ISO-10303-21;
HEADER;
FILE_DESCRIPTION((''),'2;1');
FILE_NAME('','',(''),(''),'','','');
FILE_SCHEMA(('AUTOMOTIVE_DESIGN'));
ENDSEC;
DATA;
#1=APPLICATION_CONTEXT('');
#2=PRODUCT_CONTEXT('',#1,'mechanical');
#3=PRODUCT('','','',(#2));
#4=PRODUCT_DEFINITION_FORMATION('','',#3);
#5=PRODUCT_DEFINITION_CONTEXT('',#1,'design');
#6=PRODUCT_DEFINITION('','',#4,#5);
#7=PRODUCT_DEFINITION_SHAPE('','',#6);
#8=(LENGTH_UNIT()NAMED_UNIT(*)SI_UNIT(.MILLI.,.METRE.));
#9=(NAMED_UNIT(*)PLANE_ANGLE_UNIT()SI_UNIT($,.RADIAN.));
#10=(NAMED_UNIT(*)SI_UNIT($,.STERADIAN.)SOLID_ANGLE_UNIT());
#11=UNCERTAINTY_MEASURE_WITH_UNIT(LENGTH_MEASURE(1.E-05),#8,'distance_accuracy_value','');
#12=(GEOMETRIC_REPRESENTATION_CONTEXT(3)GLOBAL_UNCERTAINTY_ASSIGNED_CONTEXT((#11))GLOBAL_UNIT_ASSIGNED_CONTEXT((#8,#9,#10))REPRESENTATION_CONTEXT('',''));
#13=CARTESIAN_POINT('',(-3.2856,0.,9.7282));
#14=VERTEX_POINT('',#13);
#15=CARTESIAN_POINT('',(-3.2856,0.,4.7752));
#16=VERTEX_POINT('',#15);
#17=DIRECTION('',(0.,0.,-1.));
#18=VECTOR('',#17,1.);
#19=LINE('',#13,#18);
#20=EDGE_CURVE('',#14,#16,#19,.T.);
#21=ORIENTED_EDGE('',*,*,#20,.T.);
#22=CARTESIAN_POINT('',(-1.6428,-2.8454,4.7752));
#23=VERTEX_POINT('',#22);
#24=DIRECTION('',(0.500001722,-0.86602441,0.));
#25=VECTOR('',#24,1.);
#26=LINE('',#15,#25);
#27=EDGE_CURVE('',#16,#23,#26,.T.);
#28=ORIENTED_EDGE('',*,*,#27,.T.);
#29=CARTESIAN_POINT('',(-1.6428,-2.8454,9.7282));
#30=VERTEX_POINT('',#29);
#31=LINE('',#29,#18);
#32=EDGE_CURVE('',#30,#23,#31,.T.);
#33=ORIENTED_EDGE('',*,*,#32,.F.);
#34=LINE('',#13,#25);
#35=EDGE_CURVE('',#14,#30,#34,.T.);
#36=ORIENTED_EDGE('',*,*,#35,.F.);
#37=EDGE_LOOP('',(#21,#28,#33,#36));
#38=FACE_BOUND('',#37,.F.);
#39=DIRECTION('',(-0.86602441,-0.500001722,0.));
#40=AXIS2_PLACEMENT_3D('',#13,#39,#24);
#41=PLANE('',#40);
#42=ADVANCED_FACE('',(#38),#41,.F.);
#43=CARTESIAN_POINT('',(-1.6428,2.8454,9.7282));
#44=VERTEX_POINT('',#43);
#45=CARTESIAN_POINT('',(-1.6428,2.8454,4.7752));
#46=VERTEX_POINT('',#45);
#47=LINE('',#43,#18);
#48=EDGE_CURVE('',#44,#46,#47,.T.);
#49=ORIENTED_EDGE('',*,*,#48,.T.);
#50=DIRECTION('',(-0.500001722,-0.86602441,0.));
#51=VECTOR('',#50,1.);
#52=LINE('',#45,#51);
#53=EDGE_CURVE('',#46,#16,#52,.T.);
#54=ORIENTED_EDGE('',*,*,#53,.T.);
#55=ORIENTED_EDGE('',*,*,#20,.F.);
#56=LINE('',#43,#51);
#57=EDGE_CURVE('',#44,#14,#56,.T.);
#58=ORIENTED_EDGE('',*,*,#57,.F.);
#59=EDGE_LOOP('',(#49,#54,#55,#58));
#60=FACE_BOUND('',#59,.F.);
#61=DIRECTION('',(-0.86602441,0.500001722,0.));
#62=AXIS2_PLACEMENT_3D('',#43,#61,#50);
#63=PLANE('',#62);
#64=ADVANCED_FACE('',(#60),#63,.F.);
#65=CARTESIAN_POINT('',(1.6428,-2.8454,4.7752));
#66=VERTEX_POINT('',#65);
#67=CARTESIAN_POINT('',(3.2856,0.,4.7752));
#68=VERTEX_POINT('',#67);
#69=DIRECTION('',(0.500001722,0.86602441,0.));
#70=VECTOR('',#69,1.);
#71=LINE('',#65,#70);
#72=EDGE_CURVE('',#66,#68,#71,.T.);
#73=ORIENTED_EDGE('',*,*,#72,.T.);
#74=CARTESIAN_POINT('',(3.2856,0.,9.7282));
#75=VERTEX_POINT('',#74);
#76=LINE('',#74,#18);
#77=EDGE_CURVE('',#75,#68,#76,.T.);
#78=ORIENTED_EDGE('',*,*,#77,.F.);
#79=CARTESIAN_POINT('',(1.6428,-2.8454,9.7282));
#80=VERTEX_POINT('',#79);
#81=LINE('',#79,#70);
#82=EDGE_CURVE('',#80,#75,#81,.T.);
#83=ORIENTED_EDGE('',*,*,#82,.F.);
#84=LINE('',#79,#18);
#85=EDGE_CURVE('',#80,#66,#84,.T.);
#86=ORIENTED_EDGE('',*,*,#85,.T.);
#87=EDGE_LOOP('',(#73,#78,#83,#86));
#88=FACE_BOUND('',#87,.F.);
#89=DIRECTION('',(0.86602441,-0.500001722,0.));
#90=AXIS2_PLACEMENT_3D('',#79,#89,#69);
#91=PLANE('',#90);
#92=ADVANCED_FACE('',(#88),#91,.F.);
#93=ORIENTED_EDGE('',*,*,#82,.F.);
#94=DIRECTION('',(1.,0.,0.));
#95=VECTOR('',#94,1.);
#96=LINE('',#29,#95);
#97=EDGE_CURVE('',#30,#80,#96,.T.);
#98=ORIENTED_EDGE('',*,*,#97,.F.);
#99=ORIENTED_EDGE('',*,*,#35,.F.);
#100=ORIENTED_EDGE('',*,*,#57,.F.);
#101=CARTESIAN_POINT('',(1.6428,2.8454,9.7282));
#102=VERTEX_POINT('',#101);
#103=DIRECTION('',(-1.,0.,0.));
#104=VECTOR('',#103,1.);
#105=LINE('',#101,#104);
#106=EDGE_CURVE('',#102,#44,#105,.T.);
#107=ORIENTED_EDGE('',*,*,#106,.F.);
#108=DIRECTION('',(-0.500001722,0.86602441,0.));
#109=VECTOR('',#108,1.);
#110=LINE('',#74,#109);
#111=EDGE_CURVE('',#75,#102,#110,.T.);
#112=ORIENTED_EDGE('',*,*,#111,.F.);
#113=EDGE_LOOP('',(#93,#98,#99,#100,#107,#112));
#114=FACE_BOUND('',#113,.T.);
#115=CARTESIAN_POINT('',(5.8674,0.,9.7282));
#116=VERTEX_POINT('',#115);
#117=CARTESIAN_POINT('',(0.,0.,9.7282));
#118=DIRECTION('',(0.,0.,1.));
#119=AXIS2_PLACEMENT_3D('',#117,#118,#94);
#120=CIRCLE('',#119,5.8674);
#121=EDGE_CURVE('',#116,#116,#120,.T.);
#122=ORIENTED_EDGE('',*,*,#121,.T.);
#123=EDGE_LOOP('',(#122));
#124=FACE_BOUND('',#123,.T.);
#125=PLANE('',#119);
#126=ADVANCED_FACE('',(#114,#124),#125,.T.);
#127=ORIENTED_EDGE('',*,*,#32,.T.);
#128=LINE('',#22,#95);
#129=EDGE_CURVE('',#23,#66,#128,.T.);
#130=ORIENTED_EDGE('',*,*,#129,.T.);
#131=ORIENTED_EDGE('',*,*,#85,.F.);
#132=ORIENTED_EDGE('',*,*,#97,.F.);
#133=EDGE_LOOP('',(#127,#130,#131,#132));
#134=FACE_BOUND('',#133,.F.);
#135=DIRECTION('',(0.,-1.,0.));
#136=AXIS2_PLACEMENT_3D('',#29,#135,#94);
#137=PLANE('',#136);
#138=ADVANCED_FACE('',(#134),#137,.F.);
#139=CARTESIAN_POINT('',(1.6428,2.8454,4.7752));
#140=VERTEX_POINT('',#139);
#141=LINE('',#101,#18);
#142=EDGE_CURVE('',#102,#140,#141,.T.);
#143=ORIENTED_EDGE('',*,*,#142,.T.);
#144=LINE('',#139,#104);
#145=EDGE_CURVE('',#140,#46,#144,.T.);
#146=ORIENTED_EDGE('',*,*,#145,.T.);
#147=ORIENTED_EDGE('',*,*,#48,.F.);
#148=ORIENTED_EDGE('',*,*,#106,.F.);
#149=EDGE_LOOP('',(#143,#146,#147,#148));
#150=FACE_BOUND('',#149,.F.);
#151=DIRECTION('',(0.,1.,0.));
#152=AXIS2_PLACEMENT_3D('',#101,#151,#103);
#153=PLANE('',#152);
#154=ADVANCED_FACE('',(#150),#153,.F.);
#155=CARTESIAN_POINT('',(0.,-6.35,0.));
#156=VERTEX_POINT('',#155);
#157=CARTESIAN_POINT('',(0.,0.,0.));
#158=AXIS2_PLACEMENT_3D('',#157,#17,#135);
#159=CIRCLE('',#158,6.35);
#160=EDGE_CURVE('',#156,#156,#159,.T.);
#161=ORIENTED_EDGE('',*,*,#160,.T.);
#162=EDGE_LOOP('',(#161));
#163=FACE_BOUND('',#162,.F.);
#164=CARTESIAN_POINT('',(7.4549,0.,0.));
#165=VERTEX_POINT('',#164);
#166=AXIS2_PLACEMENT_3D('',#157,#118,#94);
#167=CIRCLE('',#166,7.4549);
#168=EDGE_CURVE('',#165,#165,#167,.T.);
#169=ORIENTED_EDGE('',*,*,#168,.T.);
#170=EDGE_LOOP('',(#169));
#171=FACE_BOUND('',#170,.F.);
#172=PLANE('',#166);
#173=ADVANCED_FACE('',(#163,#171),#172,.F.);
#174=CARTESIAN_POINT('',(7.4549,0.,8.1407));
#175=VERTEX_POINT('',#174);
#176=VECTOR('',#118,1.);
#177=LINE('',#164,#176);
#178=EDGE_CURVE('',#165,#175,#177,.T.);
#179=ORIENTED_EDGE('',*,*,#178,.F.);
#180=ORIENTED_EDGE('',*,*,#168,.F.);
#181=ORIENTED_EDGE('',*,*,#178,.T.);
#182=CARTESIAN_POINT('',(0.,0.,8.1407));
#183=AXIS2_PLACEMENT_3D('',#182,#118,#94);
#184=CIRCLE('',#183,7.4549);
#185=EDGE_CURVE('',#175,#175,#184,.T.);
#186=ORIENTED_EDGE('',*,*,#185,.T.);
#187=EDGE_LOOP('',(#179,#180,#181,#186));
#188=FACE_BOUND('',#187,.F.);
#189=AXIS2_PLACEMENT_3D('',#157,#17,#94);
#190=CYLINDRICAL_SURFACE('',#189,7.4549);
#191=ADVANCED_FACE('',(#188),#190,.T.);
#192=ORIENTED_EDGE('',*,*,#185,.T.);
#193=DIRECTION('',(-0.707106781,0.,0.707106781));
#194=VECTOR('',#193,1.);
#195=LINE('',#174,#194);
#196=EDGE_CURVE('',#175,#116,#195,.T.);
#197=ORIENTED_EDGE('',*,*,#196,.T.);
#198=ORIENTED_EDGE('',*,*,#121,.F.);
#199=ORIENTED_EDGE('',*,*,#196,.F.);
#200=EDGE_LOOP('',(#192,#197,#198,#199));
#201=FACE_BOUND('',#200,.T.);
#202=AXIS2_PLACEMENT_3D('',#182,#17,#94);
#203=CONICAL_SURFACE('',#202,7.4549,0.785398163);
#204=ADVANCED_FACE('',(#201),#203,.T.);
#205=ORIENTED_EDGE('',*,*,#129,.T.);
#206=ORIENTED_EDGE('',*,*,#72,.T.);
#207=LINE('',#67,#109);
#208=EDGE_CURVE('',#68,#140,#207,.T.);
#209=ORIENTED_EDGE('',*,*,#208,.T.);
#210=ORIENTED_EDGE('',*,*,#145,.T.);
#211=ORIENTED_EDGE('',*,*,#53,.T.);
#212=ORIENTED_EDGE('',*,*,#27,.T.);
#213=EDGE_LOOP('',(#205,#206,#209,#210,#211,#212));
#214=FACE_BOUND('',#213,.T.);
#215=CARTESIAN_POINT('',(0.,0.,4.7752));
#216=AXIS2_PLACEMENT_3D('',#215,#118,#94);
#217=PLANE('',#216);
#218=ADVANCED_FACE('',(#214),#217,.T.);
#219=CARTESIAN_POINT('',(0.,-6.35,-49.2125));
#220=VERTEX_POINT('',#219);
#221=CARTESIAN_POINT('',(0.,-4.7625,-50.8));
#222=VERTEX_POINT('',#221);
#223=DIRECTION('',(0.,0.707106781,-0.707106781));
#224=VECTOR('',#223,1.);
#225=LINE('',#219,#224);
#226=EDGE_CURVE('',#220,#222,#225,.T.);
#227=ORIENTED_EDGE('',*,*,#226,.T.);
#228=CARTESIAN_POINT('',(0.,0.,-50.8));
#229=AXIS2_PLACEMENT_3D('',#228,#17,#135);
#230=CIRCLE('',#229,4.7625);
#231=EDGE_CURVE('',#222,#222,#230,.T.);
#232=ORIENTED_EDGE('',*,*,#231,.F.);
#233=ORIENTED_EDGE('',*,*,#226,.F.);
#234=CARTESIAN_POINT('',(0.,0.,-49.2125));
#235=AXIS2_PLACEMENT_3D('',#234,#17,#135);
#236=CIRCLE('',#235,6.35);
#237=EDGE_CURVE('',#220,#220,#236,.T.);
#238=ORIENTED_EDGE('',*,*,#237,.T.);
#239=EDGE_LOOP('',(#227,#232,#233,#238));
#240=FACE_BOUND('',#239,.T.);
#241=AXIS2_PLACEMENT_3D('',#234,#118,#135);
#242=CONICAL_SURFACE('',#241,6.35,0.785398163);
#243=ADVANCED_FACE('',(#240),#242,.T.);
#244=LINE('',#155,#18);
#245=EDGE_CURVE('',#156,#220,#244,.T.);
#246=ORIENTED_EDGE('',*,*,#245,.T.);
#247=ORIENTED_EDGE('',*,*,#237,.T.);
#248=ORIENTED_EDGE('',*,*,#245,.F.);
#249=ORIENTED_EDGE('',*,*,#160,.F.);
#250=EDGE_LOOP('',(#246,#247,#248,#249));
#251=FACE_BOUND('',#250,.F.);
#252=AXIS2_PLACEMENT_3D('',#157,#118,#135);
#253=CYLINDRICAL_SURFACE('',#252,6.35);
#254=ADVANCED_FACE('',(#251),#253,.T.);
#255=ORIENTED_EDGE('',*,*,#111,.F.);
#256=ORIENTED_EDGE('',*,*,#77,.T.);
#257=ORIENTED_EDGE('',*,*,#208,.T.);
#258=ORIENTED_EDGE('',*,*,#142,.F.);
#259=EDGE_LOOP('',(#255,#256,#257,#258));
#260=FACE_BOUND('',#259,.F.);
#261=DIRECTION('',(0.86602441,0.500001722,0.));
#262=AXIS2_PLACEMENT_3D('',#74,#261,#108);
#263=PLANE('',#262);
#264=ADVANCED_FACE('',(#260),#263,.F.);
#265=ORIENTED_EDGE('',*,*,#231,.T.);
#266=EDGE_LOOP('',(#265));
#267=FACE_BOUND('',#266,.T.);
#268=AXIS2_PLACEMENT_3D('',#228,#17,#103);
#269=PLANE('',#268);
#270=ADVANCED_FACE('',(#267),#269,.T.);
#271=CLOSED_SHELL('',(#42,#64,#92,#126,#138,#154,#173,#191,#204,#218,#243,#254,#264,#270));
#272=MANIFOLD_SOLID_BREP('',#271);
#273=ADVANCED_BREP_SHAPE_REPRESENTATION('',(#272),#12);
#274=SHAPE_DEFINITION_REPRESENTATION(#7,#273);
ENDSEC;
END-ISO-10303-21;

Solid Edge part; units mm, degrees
sketch "Sketch1" plane through (0, 0, 0) normal (0, 0, 1) x (1, 0, 0)
  circle A0 centre (0, 0) radius 7.4549
  dimension "D1" = 14.9098
extrude "Protrusion1" add sketch "Sketch1" along normal blind 9.7282
chamfer "Chamfer_1" distance 1.5875 angle 45 1 edges at (-7.4549, 0, 9.7282)
sketch "Sketch2" plane through (0, 0, 0) normal (0, 0, -1) x (0, -1, 0)
  circle A0 centre (0, 0) radius 6.35
  dimension "D1" = 12.7
extrude "ExtrudedProtrusion_3" add sketch "Sketch2" along normal blind 50.8
chamfer "Chamfer_2" distance 1.5875 angle 45 1 edges at (0, 6.35, -50.8)
sketch "Sketch3" plane through (0, 0, 9.7282) normal (0, 0, 1) x (0, -1, 0)
  line L0 (0, 3.2856) -> (-2.8454, 1.6428)
  line L1 (-2.8454, 1.6428) -> (-2.8454, -1.6428)
  line L2 (-2.8454, -1.6428) -> (0, -3.2856)
  line L3 (0, -3.2856) -> (2.8454, -1.6428)
  line L4 (2.8454, -1.6428) -> (2.8454, 1.6428)
  line L5 (2.8454, 1.6428) -> (0, 3.2856)
extrude "ExtrudedCutout_1" cut sketch "Sketch3" against normal blind 4.953
properties part number "23415" material "Steel"
